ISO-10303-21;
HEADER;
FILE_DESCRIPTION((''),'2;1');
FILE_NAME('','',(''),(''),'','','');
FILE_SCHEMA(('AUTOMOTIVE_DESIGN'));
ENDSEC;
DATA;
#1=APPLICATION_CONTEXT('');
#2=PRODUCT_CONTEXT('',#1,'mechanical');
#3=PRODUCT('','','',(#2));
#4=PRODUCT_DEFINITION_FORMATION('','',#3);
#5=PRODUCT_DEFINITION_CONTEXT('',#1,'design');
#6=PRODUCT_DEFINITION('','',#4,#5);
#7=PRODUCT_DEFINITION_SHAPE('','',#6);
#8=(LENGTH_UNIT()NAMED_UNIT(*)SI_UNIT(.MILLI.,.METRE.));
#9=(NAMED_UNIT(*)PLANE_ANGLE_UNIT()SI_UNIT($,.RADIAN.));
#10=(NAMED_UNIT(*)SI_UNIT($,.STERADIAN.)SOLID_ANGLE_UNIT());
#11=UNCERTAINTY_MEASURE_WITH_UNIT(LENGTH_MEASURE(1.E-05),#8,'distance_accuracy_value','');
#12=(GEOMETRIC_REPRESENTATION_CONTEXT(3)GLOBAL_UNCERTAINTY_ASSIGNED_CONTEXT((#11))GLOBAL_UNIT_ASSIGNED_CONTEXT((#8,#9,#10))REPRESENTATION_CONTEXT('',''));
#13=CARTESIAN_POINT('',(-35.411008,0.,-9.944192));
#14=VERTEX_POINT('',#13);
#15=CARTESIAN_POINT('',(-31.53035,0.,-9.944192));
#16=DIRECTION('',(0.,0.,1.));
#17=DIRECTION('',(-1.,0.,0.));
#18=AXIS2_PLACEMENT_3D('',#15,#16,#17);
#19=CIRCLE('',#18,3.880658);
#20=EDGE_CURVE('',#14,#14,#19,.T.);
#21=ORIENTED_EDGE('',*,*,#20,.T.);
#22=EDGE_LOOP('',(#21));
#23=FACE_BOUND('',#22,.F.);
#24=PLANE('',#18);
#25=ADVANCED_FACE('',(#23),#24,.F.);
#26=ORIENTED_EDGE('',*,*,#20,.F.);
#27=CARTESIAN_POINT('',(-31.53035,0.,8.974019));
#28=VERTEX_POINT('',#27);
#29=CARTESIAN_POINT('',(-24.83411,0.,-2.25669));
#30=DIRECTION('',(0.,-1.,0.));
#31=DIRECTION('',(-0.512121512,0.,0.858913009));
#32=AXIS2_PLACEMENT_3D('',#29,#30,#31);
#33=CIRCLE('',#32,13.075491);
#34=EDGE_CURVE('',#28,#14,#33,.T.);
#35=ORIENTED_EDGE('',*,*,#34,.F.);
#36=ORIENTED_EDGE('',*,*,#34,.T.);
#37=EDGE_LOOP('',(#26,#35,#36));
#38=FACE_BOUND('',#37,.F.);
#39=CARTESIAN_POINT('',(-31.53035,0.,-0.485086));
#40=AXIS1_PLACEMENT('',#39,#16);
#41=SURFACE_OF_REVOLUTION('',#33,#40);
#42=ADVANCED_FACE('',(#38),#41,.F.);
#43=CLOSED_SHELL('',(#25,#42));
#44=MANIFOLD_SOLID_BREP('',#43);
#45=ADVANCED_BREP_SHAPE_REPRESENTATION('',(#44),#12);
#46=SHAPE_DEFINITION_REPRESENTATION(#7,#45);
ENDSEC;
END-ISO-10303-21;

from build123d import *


with BuildPart() as f1:
    # F0 (on Front) → F1 (revolve)
    with BuildSketch(Plane.XZ):
        with BuildLine():
            ThreePointArc((-31.53035, 8.974019), (-37.642896, 0.370753), (-35.411008, -9.944192))
            Line((-35.411008, -9.944192), (-31.53035, -9.944192))
            Line((-31.53035, -9.944192), (-31.53035, 8.974019))
        make_face()
    revolve(axis=Axis((-31.53035, 0, -0.485086), (0, 0, 1)))


solid = f1.part
